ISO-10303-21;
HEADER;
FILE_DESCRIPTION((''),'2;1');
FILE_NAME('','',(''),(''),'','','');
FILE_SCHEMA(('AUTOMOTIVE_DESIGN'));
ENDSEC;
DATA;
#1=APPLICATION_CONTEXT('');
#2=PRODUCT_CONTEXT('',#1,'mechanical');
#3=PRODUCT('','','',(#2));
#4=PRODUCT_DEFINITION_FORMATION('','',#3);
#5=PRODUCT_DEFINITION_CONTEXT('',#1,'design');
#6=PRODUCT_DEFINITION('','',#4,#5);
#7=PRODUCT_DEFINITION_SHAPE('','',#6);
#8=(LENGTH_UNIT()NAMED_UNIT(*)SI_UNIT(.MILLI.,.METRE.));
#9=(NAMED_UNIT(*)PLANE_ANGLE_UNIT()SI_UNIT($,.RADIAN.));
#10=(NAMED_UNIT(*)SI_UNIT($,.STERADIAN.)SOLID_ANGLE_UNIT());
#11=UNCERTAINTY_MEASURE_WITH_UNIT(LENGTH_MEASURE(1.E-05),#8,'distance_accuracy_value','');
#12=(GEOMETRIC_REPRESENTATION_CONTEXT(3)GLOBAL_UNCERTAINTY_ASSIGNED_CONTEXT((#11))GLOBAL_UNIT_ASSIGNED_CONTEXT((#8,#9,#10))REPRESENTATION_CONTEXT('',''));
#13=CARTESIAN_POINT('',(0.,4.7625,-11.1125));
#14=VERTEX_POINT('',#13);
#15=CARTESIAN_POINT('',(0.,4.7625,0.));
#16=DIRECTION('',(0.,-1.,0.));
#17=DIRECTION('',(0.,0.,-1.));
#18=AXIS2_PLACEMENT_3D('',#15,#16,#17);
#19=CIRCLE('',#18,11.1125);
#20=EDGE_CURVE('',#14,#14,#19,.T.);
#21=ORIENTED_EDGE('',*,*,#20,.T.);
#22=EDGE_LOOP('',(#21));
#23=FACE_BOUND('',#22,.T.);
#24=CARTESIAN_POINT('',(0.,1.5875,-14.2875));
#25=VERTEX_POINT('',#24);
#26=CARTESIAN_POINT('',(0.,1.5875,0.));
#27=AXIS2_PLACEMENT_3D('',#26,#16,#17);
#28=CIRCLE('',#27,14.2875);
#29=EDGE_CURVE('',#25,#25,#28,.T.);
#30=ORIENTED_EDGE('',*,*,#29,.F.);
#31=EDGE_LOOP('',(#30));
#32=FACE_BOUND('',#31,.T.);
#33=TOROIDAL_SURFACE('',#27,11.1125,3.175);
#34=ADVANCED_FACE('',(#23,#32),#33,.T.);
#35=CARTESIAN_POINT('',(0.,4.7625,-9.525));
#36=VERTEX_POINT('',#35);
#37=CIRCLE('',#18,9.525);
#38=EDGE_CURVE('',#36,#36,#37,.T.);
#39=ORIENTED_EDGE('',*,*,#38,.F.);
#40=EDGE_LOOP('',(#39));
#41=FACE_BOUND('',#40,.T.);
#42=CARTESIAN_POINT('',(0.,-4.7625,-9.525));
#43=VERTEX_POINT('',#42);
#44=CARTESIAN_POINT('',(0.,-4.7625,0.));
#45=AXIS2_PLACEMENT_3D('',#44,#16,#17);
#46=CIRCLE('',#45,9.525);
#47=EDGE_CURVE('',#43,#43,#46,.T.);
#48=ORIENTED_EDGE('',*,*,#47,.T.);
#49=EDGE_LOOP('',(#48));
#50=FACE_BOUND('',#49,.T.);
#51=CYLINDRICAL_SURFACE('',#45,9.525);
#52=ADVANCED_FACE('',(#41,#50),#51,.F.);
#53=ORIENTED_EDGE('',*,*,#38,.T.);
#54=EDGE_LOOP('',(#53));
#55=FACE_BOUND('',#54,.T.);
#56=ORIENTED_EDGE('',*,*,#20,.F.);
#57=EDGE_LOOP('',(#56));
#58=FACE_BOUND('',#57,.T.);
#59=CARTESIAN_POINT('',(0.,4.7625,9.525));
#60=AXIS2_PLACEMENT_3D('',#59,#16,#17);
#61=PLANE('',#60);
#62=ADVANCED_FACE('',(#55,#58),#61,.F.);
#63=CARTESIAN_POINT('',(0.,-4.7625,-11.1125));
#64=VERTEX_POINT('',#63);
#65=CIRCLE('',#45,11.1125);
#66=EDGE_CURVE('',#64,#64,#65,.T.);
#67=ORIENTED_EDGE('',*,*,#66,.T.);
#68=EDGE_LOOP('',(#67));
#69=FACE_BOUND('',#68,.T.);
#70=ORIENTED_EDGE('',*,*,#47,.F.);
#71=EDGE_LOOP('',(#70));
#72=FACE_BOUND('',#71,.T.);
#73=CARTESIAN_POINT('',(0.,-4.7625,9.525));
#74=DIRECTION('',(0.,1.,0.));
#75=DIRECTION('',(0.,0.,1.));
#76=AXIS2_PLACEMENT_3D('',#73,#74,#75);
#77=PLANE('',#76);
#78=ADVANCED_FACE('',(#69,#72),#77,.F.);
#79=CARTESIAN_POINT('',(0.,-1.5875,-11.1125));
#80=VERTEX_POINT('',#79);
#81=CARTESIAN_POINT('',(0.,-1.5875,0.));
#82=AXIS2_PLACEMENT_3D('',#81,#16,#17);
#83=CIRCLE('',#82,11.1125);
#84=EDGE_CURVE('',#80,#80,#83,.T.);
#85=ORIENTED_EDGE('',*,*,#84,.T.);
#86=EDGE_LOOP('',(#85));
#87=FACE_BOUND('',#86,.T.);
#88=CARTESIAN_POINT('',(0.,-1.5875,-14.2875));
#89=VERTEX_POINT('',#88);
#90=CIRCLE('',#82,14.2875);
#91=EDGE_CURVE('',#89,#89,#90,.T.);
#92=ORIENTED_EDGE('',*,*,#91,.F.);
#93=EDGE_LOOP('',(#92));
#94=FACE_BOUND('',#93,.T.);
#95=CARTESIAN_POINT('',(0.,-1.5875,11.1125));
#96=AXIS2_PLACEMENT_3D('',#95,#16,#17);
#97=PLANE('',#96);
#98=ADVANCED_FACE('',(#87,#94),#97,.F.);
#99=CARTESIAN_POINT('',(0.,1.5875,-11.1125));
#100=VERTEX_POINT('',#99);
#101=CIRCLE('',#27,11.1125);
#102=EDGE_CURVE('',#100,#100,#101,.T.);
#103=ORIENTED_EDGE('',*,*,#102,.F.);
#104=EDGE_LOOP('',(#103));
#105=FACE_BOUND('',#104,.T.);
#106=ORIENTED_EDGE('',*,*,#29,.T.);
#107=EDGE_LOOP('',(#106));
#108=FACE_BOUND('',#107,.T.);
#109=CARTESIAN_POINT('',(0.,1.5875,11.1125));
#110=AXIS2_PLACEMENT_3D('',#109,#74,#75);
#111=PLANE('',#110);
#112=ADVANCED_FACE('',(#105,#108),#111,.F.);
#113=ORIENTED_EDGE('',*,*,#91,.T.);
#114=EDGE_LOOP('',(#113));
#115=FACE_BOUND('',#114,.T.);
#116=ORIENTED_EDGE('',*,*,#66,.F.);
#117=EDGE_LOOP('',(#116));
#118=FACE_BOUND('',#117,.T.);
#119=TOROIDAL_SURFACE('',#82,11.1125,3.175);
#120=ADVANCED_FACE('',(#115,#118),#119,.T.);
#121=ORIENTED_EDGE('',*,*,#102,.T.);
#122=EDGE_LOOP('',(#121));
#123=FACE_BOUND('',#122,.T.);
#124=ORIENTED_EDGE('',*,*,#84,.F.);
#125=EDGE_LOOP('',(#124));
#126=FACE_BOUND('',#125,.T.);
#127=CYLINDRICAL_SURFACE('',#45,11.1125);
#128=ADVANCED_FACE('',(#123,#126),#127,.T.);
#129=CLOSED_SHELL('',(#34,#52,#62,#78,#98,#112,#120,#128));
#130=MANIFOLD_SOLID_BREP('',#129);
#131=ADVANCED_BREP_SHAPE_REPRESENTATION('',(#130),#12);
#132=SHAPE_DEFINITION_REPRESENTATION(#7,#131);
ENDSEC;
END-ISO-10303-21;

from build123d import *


with BuildPart() as part:
    # Sketch2 → Revolve1 (revolve)
    with BuildSketch(Plane(origin=(0, 0, 0), x_dir=(0, 0, -1), z_dir=(1, 0, 0))):
        with BuildLine():
            Line((-9.525, -4.7625), (-9.525, 4.7625))
            Line((-9.525, 4.7625), (-11.1125, 4.7625))
            ThreePointArc((-11.1125, 4.7625), (-13.35756403, 3.83256403), (-14.2875, 1.5875))
            Line((-14.2875, 1.5875), (-11.1125, 1.5875))
            Line((-11.1125, 1.5875), (-11.1125, -1.5875))
            Line((-11.1125, -1.5875), (-14.2875, -1.5875))
            ThreePointArc((-14.2875, -1.5875), (-13.35756403, -3.83256403), (-11.1125, -4.7625))
            Line((-11.1125, -4.7625), (-9.525, -4.7625))
        make_face()
    revolve(axis=Axis((0, -4.7625, 0), (0, 1, 0)))


solid = part.part
